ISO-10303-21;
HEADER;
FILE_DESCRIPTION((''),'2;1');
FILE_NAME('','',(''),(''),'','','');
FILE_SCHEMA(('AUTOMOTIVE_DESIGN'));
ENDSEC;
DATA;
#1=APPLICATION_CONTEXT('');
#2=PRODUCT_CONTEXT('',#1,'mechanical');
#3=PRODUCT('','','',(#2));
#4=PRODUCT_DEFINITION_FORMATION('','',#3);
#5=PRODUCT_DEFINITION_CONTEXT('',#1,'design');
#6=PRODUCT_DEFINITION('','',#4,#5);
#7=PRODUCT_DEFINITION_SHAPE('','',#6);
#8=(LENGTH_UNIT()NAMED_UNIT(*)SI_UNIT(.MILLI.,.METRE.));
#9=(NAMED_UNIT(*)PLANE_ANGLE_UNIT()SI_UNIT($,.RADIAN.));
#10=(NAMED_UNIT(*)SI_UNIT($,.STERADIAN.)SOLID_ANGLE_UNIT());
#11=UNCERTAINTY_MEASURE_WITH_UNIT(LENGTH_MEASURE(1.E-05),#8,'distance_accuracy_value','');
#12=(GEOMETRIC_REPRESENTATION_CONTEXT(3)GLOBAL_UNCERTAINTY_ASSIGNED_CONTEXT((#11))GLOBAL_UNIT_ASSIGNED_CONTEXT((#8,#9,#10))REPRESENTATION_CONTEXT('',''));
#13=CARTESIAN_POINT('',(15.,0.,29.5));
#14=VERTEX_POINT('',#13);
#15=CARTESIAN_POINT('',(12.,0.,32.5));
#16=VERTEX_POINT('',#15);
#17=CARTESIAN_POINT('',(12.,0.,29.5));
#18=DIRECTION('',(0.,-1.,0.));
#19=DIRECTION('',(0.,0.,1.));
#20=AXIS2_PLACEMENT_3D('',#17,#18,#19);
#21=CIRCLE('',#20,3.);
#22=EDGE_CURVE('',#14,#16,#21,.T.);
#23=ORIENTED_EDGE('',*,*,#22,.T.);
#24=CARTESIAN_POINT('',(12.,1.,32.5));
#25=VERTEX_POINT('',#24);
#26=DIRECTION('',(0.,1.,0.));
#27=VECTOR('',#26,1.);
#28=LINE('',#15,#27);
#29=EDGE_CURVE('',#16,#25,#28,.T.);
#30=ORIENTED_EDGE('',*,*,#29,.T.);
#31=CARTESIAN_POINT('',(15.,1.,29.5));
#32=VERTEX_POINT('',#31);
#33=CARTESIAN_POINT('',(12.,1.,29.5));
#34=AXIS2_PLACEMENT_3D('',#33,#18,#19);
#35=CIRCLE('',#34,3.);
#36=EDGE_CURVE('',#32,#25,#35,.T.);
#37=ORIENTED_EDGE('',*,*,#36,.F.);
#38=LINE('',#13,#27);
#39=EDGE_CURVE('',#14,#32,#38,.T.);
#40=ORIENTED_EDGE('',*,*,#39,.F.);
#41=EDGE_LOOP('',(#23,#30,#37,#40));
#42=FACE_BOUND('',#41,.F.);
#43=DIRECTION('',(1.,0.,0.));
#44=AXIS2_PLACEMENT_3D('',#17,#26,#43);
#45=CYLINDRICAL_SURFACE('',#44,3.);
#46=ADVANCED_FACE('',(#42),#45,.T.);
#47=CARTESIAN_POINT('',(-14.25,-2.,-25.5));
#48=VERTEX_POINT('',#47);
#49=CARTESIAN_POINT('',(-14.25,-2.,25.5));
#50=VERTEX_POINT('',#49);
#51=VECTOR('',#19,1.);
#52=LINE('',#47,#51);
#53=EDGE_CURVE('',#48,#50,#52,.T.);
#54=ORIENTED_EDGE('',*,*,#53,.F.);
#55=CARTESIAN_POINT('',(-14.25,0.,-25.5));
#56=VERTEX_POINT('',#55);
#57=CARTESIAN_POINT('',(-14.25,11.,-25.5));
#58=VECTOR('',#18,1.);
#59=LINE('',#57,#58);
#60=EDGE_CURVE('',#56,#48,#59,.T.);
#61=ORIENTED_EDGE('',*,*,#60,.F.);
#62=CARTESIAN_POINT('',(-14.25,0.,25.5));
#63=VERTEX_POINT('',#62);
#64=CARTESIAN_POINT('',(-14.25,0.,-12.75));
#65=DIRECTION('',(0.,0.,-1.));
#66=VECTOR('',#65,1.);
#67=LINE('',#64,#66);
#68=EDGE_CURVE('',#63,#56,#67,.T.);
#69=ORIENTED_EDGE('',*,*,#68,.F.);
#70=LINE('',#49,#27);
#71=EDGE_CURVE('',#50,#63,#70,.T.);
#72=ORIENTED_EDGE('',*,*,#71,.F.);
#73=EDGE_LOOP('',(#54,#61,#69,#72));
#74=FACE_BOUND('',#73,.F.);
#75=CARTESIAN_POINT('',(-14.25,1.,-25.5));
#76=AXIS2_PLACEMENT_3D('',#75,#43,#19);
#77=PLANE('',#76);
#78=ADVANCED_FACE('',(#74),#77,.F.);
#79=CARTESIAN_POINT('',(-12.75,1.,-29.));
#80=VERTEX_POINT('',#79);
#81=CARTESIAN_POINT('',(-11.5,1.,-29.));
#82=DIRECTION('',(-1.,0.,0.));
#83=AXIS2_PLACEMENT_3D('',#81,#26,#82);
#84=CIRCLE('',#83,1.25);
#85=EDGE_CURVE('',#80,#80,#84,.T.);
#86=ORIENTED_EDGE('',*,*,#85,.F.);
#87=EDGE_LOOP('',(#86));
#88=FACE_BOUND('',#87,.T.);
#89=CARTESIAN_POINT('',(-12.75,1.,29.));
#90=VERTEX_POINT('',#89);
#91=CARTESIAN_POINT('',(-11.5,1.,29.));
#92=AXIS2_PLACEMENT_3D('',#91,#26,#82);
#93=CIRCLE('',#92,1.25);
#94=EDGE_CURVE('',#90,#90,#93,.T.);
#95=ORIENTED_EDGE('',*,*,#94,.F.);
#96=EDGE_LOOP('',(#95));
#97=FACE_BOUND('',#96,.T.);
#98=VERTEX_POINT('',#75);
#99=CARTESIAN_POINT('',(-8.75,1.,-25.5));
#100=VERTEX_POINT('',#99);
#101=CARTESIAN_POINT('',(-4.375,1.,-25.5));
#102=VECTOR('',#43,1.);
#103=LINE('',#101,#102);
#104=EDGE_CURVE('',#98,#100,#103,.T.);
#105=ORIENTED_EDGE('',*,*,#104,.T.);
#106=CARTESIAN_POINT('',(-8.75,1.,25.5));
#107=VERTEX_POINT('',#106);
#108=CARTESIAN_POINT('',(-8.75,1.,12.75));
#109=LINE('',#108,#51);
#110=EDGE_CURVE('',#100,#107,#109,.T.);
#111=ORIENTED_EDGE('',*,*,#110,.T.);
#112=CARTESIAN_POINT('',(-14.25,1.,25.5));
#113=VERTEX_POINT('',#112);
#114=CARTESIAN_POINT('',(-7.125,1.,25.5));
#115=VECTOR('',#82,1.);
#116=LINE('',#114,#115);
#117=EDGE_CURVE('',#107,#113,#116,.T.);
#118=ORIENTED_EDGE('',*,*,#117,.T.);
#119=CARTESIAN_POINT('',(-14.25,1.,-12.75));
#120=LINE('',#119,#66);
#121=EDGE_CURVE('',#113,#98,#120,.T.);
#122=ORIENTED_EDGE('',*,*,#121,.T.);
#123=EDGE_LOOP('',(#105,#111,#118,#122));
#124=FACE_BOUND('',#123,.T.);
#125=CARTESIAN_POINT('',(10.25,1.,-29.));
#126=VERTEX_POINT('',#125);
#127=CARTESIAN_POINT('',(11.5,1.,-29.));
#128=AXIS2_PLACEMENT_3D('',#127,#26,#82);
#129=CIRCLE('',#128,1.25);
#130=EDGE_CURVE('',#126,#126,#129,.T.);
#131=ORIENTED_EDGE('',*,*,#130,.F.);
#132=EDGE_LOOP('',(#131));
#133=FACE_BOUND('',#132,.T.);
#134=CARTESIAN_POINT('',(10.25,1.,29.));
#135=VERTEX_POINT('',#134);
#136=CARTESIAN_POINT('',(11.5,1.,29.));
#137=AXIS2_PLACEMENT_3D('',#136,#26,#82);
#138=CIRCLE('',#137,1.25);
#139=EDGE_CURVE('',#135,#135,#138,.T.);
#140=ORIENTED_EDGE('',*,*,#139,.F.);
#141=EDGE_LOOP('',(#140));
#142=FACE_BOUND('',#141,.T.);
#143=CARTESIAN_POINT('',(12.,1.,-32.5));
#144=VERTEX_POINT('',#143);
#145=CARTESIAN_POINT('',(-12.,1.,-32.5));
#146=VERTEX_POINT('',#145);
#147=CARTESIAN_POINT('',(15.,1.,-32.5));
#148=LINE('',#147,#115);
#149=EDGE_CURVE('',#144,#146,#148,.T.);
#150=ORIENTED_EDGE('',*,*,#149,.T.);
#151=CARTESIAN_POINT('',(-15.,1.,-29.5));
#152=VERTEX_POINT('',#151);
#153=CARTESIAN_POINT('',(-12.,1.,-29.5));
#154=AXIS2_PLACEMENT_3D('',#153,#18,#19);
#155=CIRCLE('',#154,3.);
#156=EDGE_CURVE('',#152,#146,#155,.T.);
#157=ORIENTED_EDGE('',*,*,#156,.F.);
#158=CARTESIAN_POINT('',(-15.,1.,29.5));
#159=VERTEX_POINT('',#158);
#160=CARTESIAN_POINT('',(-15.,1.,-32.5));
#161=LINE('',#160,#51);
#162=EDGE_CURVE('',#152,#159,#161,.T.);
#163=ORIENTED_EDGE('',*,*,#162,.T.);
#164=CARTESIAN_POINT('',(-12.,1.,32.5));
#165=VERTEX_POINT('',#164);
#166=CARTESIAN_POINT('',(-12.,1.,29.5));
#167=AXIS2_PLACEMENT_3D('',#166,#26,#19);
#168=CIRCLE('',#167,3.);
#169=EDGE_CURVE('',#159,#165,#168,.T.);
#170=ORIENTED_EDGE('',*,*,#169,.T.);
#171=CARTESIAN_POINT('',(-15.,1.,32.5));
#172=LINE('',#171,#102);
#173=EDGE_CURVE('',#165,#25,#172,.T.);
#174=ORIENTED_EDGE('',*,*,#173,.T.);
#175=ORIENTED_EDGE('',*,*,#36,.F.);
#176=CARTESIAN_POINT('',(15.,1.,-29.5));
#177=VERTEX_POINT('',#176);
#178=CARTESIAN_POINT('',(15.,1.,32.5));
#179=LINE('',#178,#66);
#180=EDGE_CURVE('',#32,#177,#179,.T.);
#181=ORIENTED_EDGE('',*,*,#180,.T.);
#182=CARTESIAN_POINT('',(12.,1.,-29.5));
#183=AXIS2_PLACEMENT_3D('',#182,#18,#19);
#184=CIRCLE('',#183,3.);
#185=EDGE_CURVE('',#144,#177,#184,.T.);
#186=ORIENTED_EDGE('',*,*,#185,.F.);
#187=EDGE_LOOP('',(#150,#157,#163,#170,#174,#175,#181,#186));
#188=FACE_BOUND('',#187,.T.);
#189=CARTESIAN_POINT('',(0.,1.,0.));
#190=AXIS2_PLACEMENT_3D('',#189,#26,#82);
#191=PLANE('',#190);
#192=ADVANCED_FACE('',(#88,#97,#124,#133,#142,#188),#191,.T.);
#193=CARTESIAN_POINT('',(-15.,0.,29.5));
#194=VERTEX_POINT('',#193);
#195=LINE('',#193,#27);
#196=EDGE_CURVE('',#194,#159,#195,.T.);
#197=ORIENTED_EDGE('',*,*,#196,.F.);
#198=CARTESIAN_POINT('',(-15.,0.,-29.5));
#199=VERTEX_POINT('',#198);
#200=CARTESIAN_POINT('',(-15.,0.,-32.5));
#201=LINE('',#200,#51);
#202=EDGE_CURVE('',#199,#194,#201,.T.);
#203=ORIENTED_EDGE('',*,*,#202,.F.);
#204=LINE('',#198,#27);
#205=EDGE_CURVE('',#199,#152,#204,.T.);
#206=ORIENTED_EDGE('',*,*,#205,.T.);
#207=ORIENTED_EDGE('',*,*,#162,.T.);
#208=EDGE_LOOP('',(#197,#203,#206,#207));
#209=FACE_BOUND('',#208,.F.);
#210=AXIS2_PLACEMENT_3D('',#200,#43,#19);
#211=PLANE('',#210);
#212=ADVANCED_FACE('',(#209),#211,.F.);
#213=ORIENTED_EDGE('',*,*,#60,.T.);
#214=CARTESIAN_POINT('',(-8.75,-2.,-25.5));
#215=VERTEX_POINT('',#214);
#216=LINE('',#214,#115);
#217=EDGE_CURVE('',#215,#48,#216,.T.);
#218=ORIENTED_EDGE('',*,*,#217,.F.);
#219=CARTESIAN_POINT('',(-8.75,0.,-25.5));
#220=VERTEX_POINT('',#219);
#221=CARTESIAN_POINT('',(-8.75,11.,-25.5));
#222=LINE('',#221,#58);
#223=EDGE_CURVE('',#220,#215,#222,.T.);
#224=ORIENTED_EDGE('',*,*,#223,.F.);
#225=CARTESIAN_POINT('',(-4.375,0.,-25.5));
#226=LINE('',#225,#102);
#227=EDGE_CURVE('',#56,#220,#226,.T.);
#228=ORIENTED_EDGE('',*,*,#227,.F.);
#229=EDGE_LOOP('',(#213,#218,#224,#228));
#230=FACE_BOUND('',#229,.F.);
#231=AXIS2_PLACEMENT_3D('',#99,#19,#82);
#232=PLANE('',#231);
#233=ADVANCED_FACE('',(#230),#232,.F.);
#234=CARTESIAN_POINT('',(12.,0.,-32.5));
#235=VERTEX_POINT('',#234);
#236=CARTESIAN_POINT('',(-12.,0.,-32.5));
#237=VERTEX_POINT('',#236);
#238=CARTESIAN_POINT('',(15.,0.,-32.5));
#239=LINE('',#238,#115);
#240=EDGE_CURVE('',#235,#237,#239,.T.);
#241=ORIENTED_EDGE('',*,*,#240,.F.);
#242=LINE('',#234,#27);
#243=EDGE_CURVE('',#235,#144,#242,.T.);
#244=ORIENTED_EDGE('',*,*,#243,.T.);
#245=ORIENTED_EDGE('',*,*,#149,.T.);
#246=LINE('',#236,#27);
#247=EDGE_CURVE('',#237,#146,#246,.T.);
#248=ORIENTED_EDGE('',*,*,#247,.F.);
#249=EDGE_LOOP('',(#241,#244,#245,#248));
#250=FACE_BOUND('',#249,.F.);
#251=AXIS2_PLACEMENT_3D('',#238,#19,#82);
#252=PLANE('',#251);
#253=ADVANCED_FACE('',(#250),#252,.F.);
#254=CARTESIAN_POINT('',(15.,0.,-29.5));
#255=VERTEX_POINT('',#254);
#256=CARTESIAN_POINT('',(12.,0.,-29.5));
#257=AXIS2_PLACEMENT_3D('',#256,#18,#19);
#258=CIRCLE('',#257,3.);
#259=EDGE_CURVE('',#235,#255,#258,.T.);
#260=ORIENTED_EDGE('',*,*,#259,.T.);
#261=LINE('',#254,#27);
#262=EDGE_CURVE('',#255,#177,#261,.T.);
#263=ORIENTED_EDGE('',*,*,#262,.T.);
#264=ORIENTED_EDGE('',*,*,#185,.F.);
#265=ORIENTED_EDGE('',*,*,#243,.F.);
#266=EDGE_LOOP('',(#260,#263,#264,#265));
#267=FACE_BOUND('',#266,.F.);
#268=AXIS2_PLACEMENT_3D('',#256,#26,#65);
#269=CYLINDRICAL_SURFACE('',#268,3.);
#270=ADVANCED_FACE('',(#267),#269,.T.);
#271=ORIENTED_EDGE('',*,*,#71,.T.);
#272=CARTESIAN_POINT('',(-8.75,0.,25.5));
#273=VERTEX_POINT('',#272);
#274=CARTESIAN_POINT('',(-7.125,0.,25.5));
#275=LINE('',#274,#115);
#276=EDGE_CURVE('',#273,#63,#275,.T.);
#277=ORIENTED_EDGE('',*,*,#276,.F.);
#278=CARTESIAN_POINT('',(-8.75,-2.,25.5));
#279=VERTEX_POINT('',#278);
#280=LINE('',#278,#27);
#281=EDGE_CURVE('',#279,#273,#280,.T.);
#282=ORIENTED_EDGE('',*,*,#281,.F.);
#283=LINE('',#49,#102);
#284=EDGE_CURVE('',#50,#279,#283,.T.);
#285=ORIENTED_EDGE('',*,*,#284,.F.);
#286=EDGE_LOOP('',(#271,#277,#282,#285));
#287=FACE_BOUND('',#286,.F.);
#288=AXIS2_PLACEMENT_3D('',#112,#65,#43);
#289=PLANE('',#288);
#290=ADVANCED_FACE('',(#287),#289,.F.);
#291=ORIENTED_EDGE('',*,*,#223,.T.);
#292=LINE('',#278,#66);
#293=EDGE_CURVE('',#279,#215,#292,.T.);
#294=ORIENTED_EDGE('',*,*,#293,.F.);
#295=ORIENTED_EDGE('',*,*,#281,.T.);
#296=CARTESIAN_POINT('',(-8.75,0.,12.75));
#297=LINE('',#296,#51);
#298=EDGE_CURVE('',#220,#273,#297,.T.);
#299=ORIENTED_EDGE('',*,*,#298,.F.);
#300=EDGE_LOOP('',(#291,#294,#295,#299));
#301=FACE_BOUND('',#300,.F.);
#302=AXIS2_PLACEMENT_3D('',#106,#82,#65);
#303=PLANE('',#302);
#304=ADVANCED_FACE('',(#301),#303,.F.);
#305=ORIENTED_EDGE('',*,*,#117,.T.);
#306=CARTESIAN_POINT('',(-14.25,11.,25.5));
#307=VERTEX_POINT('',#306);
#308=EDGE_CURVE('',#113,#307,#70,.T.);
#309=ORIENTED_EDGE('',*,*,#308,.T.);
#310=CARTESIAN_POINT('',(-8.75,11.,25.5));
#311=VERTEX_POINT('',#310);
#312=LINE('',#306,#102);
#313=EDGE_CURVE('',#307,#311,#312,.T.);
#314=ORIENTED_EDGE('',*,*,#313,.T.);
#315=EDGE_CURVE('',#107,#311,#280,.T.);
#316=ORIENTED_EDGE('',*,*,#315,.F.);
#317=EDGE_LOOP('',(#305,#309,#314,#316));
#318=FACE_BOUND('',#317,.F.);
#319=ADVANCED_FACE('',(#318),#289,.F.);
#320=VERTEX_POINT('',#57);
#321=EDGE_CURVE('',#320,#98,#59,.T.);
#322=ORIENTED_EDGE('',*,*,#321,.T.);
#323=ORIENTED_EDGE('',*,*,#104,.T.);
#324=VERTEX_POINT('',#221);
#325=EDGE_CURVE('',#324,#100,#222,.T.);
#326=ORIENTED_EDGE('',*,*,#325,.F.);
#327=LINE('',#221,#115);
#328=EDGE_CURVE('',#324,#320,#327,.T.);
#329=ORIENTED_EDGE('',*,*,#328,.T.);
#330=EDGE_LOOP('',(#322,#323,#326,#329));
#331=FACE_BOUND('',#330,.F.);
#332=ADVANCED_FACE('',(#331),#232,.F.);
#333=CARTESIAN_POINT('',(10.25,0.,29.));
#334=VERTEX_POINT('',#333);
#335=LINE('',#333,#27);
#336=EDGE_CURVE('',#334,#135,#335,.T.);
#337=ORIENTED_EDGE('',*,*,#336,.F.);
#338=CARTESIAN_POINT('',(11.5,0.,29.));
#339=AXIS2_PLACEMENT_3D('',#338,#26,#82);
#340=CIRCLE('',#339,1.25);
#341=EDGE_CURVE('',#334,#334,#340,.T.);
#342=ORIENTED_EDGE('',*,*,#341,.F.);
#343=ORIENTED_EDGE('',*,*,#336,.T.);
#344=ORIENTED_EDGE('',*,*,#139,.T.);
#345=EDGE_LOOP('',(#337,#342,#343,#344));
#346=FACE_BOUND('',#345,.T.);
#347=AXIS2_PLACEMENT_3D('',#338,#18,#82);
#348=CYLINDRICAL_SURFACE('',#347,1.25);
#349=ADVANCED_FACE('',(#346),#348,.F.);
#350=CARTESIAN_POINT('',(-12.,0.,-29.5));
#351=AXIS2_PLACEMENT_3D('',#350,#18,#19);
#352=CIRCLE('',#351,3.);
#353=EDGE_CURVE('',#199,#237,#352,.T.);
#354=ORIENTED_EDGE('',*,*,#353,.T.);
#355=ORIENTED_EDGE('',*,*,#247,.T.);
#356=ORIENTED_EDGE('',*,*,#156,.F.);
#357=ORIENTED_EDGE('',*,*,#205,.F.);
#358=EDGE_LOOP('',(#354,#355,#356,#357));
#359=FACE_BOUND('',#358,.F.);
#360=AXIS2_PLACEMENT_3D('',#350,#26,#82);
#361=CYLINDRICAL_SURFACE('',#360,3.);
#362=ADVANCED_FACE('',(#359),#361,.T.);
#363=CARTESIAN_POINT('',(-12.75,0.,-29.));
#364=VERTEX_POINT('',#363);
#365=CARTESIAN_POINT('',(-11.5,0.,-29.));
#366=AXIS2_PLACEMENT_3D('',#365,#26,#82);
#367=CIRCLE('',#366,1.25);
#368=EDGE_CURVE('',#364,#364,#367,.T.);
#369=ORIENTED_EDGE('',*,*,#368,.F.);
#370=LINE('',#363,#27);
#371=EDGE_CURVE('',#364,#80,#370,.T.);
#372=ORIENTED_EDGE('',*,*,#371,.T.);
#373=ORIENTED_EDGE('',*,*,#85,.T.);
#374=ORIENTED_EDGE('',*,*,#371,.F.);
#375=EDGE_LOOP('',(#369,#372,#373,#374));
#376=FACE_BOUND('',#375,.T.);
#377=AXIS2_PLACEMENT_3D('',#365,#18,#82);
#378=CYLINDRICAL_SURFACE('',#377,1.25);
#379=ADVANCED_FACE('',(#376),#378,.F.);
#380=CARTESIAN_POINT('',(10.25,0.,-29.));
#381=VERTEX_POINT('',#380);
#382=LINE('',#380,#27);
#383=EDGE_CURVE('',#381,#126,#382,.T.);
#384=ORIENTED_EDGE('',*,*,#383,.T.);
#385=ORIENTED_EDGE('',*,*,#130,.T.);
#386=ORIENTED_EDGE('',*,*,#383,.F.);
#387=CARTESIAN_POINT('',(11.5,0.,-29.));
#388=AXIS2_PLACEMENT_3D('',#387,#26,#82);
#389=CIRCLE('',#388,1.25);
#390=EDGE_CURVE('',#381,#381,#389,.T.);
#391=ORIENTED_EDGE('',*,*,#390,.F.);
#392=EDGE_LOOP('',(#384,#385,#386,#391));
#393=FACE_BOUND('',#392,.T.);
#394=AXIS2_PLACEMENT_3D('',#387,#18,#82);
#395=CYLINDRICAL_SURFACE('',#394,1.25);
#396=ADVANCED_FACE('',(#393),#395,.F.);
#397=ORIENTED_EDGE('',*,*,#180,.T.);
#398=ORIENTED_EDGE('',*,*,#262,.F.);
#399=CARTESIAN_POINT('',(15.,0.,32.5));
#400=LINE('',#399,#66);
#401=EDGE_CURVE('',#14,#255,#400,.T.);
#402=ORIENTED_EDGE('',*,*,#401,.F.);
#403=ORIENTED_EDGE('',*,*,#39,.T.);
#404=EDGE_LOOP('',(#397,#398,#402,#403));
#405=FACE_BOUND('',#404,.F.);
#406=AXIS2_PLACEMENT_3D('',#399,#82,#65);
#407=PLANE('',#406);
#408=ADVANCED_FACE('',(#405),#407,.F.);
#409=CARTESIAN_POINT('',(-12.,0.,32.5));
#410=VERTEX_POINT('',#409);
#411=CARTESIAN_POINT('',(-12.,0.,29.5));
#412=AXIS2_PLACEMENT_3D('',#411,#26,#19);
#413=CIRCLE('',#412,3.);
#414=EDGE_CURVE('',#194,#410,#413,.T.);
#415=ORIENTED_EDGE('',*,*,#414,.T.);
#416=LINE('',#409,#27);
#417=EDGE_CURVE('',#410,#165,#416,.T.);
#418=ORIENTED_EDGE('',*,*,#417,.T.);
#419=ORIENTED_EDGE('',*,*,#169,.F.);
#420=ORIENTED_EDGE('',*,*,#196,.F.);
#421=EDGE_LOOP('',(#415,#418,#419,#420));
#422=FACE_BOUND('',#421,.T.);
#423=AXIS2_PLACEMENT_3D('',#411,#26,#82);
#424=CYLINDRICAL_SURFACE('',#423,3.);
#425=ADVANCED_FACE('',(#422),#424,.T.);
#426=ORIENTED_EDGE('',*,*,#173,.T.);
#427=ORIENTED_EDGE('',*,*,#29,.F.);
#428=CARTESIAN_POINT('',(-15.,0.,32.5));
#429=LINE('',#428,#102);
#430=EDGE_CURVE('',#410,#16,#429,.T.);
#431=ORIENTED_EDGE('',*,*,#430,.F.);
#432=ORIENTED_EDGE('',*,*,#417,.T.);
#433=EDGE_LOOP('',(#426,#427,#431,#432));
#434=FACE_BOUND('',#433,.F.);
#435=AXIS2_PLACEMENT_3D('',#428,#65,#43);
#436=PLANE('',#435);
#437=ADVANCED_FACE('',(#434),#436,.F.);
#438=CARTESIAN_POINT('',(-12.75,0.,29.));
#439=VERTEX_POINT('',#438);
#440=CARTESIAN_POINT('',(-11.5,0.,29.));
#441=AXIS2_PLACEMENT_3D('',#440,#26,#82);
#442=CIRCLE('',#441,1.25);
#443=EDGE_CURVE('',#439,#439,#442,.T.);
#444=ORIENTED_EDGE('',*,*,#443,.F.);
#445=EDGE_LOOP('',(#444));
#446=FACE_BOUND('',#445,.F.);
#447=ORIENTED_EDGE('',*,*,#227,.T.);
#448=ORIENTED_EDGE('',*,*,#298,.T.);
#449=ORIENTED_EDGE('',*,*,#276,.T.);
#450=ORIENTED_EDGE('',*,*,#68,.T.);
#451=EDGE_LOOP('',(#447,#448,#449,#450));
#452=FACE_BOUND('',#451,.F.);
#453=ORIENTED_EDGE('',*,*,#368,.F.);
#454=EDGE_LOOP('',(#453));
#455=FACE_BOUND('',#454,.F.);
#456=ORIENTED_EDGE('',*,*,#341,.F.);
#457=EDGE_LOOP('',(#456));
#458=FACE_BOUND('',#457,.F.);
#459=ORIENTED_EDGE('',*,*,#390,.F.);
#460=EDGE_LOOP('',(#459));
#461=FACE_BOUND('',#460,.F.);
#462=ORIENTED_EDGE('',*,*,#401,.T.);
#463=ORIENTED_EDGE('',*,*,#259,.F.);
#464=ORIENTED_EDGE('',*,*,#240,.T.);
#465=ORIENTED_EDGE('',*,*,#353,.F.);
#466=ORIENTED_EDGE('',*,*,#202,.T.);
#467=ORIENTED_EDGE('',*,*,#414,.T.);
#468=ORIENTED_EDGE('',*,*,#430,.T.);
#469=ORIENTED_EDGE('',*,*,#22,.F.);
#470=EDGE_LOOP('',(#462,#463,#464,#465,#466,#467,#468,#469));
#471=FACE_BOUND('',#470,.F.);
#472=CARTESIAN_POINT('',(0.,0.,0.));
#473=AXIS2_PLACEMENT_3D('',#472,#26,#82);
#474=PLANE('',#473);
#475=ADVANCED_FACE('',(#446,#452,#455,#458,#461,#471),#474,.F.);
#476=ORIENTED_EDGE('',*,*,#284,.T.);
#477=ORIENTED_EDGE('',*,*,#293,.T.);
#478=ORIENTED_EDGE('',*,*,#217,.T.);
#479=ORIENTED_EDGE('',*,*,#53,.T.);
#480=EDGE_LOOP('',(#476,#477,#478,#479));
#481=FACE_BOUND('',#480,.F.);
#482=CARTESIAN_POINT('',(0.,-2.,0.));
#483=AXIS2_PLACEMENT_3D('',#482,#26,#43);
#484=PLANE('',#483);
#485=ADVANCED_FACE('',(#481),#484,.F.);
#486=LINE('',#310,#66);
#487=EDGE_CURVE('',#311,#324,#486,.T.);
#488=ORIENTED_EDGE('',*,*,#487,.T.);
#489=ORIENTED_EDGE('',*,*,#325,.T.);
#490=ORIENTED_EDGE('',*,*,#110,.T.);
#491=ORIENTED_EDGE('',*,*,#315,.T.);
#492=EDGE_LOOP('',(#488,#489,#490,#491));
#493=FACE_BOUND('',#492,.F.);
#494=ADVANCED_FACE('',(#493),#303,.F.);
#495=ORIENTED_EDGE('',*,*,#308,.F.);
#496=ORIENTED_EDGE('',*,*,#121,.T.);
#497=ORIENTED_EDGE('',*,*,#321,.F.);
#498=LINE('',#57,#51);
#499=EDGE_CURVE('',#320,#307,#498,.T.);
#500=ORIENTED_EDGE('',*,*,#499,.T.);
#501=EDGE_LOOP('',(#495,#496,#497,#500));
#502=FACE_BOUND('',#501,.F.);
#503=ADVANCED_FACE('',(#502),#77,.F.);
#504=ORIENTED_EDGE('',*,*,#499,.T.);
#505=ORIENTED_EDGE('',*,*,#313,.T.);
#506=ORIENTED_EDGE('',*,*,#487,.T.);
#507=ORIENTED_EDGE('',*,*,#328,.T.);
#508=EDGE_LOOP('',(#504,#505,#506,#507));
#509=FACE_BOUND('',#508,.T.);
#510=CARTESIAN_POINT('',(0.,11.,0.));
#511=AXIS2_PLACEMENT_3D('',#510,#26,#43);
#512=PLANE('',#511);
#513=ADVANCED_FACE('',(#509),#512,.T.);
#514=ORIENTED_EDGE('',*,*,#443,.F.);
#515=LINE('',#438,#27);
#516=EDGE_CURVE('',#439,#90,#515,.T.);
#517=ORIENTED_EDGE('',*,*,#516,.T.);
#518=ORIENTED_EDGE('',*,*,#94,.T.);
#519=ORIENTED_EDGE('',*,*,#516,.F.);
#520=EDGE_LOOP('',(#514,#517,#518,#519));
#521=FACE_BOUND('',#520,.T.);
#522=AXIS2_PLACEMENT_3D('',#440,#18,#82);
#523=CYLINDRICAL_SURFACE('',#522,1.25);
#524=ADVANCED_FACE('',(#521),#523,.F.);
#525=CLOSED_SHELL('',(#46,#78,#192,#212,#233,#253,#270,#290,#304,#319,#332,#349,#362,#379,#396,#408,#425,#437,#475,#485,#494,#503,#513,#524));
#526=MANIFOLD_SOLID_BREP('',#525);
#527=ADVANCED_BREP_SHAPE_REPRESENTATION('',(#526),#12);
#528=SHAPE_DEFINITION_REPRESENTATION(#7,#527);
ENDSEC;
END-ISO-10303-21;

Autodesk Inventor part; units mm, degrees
ref_plane "YZ Plane" through (0, 0, 0) normal (1, 0, 0) x (0, 1, 0)
ref_plane "XZ Plane" through (0, 0, 0) normal (0, 1, 0) x (-1, 0, 0)
ref_plane "XY Plane" through (0, 0, 0) normal (0, 0, 1) x (1, 0, 0)
sketch "Sketch1" plane through (0, 0, 0) normal (0, 1, 0) x (-1, 0, 0)
  line L0 (15, 32.5) -> (-15, 32.5)
  line L1 (-15, 32.5) -> (-15, -32.5)
  line L2 (-15, -32.5) -> (15, -32.5)
  line L3 (15, -32.5) -> (15, 32.5)
  line L4 (15, 32.5) -> (-15, -32.5) construction
  line L5 (-15, 32.5) -> (15, -32.5) construction
  line L6 (11.5, 29) -> (-11.5, 29) construction
  line L7 (-11.5, 29) -> (-11.5, -29) construction
  line L8 (-11.5, -29) -> (11.5, -29) construction
  line L9 (11.5, -29) -> (11.5, 29) construction
  line L10 (11.5, 29) -> (-11.5, -29) construction
  line L11 (-11.5, 29) -> (11.5, -29) construction
  circle A0 centre (11.5, 29) radius 1.25
  circle A1 centre (11.5, -29) radius 1.25
  circle A2 centre (-11.5, -29) radius 1.25
  circle A3 centre (-11.5, 29) radius 1.25
  point P0 (0, 0)
  dimension "d0" = 30
  dimension "d1" = 65
  dimension "d2" = 23
  dimension "d3" = 58
  dimension "d4" = 2.5
  dimension "d5" = 2.5
  dimension "d6" = 2.5
  dimension "d7" = 2.5
extrude "Extrusion1" add sketch "Sketch1" along normal blind 1
fillet "Fillet1" radius 3 4 edges at (-15, 0.5, 32.5) (15, 0.5, 32.5) (15, 0.5, -32.5) (-15, 0.5, -32.5)
sketch "Sketch2" plane through (0, 1, 0) normal (0, 1, 0) x (1, 0, 0)
  line L0 (-14.25, -25.5) -> (-8.75, -25.5)
  line L1 (-8.75, -25.5) -> (-8.75, 25.5)
  line L2 (-8.75, 25.5) -> (-14.25, 25.5)
  line L3 (-14.25, 25.5) -> (-14.25, -25.5)
  line L4 (-14.25, -25.5) -> (-8.75, 25.5) construction
  line L5 (-8.75, -25.5) -> (-14.25, 25.5) construction
  line L6 (-15, 29.5) -> (-15, -29.5) projected
  point P0 (0, 0)
  point P1 (-11.5, 0)
  dimension "d11" = 5.5
  dimension "d12" = 51
  dimension "d13" = 3.5
extrude "Extrusion2" add sketch "Sketch2" along normal blind 10 and the other way blind 3
properties part number "raspberry"
